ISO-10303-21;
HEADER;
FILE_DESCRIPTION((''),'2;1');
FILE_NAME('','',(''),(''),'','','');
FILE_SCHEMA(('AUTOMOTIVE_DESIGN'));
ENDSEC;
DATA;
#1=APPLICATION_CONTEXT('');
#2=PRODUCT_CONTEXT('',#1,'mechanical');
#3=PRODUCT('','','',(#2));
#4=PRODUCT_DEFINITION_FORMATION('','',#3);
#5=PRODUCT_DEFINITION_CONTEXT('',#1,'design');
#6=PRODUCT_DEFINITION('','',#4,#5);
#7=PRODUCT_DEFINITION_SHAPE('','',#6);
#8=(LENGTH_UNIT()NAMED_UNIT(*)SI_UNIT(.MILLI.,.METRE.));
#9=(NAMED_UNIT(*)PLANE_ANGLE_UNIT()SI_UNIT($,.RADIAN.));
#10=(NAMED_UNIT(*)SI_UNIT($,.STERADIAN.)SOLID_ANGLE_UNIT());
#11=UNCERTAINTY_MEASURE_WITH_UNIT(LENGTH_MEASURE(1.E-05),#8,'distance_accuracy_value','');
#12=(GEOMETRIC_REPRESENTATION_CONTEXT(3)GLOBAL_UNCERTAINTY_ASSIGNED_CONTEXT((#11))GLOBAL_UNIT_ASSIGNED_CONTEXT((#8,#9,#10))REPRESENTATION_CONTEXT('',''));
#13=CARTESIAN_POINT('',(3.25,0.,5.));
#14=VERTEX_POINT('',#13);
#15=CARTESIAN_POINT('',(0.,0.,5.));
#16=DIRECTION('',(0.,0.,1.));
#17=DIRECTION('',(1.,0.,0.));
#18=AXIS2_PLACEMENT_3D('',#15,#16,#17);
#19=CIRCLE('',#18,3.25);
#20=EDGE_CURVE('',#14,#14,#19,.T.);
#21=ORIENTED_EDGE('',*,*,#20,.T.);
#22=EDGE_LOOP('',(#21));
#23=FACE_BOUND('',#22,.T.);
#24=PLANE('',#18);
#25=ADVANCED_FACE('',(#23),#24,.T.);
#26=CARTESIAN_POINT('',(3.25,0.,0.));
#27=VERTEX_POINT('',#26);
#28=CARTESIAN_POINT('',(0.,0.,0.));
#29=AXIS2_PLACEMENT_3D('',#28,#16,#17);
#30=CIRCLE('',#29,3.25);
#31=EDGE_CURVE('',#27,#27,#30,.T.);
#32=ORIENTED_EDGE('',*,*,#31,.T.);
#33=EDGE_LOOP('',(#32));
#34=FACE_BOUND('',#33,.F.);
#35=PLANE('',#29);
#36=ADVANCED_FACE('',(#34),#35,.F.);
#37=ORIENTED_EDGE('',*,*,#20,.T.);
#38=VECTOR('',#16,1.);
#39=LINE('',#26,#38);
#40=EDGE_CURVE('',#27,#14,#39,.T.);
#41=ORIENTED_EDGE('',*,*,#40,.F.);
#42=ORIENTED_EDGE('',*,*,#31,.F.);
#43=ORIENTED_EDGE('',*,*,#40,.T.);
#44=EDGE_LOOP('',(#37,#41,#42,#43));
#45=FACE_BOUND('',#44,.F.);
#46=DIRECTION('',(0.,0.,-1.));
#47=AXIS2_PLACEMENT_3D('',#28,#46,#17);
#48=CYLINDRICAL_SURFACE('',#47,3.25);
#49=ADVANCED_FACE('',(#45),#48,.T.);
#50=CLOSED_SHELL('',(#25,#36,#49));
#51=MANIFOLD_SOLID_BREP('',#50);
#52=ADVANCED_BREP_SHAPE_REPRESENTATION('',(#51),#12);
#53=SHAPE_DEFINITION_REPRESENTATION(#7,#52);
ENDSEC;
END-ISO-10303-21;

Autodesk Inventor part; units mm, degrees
ref_plane "YZ Plane" through (0, 0, 0) normal (1, 0, 0) x (0, 1, 0)
ref_plane "XZ Plane" through (0, 0, 0) normal (0, 1, 0) x (-1, 0, 0)
ref_plane "XY Plane" through (0, 0, 0) normal (0, 0, 1) x (1, 0, 0)
sketch "Sketch2" plane through (0, 0, 0) normal (0, 0, 1) x (1, 0, 0)
  circle A0 centre (0, 0) radius 3.25
  dimension "d2" = 6.5
extrude "Extrusion1" add sketch "Sketch2" along normal blind 5
equation "\"d2\" = R"
equation "\"d0\" = thickness"
equation "\"R\" = 6.5"
equation "\"thickness\" = 5"
equation "\"width\" = 6.5"
equation "\"R1\" = 12"
